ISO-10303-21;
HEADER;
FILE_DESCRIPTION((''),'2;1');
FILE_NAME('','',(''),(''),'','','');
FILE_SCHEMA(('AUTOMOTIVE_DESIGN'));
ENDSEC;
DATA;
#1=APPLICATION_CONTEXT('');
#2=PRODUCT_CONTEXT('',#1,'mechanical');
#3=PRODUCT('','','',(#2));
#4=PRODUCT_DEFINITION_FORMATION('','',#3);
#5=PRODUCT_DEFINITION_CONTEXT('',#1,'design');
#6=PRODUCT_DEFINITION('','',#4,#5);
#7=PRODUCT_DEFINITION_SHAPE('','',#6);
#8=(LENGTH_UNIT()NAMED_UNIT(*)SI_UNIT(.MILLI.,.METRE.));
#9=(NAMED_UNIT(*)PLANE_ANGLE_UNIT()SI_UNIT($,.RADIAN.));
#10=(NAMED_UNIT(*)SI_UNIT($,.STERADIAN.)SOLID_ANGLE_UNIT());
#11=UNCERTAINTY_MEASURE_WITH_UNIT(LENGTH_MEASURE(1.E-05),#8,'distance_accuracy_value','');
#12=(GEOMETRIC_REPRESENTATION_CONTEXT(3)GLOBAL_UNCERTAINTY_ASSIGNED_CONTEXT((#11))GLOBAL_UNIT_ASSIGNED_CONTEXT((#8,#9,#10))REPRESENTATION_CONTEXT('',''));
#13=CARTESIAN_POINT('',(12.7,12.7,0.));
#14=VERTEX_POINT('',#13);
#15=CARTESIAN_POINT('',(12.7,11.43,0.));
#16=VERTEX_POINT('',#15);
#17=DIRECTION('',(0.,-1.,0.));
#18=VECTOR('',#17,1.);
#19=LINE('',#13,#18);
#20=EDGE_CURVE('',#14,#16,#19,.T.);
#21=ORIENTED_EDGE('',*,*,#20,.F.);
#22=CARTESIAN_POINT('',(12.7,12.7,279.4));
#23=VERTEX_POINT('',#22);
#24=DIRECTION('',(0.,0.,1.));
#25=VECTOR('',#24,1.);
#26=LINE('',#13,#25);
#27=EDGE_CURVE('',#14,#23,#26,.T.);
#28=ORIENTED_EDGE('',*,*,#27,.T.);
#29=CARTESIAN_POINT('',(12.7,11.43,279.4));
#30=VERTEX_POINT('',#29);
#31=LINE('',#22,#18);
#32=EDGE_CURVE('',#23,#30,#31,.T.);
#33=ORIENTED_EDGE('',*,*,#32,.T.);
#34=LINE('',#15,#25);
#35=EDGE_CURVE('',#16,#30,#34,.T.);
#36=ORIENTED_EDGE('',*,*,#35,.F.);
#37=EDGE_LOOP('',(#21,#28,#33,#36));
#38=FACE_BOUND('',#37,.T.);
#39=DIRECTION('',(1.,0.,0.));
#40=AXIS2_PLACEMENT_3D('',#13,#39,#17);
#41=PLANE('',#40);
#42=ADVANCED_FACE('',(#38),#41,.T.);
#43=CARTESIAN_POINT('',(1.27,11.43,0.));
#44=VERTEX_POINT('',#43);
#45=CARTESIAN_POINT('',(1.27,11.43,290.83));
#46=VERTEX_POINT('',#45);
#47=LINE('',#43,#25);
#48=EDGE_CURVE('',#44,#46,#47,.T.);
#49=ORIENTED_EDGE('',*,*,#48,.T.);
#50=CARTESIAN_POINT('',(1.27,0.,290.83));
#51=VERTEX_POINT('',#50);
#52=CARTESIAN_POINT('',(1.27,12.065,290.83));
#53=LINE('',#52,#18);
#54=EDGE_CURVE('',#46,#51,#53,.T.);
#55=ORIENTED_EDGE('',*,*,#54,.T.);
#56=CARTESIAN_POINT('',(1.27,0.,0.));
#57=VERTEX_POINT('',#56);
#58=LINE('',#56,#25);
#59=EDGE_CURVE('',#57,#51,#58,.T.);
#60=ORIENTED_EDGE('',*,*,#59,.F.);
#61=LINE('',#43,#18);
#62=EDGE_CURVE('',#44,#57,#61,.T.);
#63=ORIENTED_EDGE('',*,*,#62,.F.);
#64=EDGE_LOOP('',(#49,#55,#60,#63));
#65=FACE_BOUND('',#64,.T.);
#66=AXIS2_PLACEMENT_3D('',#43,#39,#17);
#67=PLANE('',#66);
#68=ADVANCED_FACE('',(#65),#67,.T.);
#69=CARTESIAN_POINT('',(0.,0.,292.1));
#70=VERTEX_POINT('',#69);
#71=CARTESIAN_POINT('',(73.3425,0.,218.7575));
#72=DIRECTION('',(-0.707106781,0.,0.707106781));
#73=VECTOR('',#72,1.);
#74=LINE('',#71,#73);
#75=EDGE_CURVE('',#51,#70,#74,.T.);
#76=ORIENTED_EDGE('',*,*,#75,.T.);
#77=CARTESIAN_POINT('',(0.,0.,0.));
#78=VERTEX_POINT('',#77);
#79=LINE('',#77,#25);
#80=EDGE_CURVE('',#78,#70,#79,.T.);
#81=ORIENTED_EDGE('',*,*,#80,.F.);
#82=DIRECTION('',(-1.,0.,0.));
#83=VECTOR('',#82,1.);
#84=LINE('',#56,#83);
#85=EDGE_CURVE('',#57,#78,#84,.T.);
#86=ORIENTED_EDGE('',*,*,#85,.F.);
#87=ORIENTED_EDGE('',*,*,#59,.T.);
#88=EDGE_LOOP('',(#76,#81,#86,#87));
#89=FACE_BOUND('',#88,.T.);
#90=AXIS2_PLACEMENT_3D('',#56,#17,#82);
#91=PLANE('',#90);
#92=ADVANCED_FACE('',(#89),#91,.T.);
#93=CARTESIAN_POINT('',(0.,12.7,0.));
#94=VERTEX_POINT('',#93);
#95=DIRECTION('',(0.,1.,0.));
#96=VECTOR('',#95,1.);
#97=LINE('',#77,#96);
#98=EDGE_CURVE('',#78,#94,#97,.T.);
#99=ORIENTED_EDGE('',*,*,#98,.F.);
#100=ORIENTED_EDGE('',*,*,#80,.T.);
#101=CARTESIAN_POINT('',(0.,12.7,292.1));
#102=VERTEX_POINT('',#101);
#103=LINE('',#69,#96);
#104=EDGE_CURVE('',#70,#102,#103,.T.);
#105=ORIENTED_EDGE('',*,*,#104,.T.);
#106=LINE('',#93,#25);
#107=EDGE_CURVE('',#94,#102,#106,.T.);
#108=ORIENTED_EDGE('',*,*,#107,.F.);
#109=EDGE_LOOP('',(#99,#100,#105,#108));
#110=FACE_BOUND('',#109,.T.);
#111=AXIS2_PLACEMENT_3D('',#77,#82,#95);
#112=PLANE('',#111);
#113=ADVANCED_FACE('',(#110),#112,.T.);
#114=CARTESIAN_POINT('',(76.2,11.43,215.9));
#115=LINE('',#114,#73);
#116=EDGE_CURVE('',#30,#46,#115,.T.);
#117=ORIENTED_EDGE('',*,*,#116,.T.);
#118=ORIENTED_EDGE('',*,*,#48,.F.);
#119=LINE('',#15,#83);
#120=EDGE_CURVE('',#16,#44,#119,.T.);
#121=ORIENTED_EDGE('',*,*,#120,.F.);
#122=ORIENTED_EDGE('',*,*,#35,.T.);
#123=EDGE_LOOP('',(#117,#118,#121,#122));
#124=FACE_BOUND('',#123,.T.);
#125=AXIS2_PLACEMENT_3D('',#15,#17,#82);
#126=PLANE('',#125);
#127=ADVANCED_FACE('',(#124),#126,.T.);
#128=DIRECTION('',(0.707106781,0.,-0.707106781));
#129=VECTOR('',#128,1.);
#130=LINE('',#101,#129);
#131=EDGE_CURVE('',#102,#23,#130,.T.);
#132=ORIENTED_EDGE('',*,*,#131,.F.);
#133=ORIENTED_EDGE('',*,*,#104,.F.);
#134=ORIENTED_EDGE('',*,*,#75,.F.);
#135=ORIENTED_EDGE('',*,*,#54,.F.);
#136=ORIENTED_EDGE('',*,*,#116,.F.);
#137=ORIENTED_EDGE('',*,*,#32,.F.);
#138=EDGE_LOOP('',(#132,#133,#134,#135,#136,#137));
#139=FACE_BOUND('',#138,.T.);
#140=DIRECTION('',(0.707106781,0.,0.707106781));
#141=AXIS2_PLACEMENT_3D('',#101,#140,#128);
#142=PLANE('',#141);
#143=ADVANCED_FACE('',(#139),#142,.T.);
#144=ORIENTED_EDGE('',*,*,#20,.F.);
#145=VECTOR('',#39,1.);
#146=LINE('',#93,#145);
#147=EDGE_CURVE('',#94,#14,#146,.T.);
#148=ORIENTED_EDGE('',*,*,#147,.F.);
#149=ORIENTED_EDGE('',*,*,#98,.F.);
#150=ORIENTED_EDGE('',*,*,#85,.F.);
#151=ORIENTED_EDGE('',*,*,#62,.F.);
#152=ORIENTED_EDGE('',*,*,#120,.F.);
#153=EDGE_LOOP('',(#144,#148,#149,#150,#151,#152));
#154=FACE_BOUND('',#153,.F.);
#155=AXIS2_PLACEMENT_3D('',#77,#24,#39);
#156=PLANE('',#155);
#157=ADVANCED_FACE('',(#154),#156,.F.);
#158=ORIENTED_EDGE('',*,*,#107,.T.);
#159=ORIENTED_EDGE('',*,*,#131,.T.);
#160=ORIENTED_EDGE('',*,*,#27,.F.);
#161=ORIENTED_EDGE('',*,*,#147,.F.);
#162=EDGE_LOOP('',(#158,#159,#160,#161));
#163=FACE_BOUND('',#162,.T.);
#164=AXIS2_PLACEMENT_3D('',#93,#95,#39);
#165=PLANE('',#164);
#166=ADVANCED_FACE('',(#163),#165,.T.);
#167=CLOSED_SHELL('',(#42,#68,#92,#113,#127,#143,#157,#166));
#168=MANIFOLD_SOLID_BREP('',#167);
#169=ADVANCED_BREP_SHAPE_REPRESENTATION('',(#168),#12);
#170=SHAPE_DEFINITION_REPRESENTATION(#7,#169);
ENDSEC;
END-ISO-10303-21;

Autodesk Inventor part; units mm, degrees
ref_plane "YZ Plane" through (0, 0, 0) normal (1, 0, 0) x (0, 1, 0)
ref_plane "XZ Plane" through (0, 0, 0) normal (0, 1, 0) x (-1, 0, 0)
ref_plane "XY Plane" through (0, 0, 0) normal (0, 0, 1) x (1, 0, 0)
sketch "Sketch1" plane through (0, 0, 0) normal (0, 0, 1) x (1, 0, 0)
  line L0 (0, 0) -> (0, 12.7)
  line L1 (0, 12.7) -> (12.7, 12.7)
  line L2 (12.7, 12.7) -> (12.7, 11.43)
  line L3 (12.7, 11.43) -> (1.27, 11.43)
  line L4 (1.27, 11.43) -> (1.27, 0)
  line L5 (1.27, 0) -> (0, 0)
  dimension "d0" = 12.7
  dimension "d1" = 12.7
  dimension "d2" = 1.27
  dimension "d3" = 11.43
extrude "Extrusion1" add sketch "Sketch1" along normal blind 292.1
sketch "Sketch3" plane through (0, 12.7, 0) normal (0, 1, 0) x (1, 0, 0)
  line L0 (12.7, -292.1) -> (0, -292.1) projected
  line L1 (12.7, 0) -> (12.7, -292.1) projected
  line L2 (0, -292.1) -> (12.7, -279.4)
  dimension "d10" = 45
extrude "Extrusion3" cut sketch "Sketch3" against normal blind 25.4
properties part number "Aluminum Angle 3 Left" material "Aluminum 6061"
